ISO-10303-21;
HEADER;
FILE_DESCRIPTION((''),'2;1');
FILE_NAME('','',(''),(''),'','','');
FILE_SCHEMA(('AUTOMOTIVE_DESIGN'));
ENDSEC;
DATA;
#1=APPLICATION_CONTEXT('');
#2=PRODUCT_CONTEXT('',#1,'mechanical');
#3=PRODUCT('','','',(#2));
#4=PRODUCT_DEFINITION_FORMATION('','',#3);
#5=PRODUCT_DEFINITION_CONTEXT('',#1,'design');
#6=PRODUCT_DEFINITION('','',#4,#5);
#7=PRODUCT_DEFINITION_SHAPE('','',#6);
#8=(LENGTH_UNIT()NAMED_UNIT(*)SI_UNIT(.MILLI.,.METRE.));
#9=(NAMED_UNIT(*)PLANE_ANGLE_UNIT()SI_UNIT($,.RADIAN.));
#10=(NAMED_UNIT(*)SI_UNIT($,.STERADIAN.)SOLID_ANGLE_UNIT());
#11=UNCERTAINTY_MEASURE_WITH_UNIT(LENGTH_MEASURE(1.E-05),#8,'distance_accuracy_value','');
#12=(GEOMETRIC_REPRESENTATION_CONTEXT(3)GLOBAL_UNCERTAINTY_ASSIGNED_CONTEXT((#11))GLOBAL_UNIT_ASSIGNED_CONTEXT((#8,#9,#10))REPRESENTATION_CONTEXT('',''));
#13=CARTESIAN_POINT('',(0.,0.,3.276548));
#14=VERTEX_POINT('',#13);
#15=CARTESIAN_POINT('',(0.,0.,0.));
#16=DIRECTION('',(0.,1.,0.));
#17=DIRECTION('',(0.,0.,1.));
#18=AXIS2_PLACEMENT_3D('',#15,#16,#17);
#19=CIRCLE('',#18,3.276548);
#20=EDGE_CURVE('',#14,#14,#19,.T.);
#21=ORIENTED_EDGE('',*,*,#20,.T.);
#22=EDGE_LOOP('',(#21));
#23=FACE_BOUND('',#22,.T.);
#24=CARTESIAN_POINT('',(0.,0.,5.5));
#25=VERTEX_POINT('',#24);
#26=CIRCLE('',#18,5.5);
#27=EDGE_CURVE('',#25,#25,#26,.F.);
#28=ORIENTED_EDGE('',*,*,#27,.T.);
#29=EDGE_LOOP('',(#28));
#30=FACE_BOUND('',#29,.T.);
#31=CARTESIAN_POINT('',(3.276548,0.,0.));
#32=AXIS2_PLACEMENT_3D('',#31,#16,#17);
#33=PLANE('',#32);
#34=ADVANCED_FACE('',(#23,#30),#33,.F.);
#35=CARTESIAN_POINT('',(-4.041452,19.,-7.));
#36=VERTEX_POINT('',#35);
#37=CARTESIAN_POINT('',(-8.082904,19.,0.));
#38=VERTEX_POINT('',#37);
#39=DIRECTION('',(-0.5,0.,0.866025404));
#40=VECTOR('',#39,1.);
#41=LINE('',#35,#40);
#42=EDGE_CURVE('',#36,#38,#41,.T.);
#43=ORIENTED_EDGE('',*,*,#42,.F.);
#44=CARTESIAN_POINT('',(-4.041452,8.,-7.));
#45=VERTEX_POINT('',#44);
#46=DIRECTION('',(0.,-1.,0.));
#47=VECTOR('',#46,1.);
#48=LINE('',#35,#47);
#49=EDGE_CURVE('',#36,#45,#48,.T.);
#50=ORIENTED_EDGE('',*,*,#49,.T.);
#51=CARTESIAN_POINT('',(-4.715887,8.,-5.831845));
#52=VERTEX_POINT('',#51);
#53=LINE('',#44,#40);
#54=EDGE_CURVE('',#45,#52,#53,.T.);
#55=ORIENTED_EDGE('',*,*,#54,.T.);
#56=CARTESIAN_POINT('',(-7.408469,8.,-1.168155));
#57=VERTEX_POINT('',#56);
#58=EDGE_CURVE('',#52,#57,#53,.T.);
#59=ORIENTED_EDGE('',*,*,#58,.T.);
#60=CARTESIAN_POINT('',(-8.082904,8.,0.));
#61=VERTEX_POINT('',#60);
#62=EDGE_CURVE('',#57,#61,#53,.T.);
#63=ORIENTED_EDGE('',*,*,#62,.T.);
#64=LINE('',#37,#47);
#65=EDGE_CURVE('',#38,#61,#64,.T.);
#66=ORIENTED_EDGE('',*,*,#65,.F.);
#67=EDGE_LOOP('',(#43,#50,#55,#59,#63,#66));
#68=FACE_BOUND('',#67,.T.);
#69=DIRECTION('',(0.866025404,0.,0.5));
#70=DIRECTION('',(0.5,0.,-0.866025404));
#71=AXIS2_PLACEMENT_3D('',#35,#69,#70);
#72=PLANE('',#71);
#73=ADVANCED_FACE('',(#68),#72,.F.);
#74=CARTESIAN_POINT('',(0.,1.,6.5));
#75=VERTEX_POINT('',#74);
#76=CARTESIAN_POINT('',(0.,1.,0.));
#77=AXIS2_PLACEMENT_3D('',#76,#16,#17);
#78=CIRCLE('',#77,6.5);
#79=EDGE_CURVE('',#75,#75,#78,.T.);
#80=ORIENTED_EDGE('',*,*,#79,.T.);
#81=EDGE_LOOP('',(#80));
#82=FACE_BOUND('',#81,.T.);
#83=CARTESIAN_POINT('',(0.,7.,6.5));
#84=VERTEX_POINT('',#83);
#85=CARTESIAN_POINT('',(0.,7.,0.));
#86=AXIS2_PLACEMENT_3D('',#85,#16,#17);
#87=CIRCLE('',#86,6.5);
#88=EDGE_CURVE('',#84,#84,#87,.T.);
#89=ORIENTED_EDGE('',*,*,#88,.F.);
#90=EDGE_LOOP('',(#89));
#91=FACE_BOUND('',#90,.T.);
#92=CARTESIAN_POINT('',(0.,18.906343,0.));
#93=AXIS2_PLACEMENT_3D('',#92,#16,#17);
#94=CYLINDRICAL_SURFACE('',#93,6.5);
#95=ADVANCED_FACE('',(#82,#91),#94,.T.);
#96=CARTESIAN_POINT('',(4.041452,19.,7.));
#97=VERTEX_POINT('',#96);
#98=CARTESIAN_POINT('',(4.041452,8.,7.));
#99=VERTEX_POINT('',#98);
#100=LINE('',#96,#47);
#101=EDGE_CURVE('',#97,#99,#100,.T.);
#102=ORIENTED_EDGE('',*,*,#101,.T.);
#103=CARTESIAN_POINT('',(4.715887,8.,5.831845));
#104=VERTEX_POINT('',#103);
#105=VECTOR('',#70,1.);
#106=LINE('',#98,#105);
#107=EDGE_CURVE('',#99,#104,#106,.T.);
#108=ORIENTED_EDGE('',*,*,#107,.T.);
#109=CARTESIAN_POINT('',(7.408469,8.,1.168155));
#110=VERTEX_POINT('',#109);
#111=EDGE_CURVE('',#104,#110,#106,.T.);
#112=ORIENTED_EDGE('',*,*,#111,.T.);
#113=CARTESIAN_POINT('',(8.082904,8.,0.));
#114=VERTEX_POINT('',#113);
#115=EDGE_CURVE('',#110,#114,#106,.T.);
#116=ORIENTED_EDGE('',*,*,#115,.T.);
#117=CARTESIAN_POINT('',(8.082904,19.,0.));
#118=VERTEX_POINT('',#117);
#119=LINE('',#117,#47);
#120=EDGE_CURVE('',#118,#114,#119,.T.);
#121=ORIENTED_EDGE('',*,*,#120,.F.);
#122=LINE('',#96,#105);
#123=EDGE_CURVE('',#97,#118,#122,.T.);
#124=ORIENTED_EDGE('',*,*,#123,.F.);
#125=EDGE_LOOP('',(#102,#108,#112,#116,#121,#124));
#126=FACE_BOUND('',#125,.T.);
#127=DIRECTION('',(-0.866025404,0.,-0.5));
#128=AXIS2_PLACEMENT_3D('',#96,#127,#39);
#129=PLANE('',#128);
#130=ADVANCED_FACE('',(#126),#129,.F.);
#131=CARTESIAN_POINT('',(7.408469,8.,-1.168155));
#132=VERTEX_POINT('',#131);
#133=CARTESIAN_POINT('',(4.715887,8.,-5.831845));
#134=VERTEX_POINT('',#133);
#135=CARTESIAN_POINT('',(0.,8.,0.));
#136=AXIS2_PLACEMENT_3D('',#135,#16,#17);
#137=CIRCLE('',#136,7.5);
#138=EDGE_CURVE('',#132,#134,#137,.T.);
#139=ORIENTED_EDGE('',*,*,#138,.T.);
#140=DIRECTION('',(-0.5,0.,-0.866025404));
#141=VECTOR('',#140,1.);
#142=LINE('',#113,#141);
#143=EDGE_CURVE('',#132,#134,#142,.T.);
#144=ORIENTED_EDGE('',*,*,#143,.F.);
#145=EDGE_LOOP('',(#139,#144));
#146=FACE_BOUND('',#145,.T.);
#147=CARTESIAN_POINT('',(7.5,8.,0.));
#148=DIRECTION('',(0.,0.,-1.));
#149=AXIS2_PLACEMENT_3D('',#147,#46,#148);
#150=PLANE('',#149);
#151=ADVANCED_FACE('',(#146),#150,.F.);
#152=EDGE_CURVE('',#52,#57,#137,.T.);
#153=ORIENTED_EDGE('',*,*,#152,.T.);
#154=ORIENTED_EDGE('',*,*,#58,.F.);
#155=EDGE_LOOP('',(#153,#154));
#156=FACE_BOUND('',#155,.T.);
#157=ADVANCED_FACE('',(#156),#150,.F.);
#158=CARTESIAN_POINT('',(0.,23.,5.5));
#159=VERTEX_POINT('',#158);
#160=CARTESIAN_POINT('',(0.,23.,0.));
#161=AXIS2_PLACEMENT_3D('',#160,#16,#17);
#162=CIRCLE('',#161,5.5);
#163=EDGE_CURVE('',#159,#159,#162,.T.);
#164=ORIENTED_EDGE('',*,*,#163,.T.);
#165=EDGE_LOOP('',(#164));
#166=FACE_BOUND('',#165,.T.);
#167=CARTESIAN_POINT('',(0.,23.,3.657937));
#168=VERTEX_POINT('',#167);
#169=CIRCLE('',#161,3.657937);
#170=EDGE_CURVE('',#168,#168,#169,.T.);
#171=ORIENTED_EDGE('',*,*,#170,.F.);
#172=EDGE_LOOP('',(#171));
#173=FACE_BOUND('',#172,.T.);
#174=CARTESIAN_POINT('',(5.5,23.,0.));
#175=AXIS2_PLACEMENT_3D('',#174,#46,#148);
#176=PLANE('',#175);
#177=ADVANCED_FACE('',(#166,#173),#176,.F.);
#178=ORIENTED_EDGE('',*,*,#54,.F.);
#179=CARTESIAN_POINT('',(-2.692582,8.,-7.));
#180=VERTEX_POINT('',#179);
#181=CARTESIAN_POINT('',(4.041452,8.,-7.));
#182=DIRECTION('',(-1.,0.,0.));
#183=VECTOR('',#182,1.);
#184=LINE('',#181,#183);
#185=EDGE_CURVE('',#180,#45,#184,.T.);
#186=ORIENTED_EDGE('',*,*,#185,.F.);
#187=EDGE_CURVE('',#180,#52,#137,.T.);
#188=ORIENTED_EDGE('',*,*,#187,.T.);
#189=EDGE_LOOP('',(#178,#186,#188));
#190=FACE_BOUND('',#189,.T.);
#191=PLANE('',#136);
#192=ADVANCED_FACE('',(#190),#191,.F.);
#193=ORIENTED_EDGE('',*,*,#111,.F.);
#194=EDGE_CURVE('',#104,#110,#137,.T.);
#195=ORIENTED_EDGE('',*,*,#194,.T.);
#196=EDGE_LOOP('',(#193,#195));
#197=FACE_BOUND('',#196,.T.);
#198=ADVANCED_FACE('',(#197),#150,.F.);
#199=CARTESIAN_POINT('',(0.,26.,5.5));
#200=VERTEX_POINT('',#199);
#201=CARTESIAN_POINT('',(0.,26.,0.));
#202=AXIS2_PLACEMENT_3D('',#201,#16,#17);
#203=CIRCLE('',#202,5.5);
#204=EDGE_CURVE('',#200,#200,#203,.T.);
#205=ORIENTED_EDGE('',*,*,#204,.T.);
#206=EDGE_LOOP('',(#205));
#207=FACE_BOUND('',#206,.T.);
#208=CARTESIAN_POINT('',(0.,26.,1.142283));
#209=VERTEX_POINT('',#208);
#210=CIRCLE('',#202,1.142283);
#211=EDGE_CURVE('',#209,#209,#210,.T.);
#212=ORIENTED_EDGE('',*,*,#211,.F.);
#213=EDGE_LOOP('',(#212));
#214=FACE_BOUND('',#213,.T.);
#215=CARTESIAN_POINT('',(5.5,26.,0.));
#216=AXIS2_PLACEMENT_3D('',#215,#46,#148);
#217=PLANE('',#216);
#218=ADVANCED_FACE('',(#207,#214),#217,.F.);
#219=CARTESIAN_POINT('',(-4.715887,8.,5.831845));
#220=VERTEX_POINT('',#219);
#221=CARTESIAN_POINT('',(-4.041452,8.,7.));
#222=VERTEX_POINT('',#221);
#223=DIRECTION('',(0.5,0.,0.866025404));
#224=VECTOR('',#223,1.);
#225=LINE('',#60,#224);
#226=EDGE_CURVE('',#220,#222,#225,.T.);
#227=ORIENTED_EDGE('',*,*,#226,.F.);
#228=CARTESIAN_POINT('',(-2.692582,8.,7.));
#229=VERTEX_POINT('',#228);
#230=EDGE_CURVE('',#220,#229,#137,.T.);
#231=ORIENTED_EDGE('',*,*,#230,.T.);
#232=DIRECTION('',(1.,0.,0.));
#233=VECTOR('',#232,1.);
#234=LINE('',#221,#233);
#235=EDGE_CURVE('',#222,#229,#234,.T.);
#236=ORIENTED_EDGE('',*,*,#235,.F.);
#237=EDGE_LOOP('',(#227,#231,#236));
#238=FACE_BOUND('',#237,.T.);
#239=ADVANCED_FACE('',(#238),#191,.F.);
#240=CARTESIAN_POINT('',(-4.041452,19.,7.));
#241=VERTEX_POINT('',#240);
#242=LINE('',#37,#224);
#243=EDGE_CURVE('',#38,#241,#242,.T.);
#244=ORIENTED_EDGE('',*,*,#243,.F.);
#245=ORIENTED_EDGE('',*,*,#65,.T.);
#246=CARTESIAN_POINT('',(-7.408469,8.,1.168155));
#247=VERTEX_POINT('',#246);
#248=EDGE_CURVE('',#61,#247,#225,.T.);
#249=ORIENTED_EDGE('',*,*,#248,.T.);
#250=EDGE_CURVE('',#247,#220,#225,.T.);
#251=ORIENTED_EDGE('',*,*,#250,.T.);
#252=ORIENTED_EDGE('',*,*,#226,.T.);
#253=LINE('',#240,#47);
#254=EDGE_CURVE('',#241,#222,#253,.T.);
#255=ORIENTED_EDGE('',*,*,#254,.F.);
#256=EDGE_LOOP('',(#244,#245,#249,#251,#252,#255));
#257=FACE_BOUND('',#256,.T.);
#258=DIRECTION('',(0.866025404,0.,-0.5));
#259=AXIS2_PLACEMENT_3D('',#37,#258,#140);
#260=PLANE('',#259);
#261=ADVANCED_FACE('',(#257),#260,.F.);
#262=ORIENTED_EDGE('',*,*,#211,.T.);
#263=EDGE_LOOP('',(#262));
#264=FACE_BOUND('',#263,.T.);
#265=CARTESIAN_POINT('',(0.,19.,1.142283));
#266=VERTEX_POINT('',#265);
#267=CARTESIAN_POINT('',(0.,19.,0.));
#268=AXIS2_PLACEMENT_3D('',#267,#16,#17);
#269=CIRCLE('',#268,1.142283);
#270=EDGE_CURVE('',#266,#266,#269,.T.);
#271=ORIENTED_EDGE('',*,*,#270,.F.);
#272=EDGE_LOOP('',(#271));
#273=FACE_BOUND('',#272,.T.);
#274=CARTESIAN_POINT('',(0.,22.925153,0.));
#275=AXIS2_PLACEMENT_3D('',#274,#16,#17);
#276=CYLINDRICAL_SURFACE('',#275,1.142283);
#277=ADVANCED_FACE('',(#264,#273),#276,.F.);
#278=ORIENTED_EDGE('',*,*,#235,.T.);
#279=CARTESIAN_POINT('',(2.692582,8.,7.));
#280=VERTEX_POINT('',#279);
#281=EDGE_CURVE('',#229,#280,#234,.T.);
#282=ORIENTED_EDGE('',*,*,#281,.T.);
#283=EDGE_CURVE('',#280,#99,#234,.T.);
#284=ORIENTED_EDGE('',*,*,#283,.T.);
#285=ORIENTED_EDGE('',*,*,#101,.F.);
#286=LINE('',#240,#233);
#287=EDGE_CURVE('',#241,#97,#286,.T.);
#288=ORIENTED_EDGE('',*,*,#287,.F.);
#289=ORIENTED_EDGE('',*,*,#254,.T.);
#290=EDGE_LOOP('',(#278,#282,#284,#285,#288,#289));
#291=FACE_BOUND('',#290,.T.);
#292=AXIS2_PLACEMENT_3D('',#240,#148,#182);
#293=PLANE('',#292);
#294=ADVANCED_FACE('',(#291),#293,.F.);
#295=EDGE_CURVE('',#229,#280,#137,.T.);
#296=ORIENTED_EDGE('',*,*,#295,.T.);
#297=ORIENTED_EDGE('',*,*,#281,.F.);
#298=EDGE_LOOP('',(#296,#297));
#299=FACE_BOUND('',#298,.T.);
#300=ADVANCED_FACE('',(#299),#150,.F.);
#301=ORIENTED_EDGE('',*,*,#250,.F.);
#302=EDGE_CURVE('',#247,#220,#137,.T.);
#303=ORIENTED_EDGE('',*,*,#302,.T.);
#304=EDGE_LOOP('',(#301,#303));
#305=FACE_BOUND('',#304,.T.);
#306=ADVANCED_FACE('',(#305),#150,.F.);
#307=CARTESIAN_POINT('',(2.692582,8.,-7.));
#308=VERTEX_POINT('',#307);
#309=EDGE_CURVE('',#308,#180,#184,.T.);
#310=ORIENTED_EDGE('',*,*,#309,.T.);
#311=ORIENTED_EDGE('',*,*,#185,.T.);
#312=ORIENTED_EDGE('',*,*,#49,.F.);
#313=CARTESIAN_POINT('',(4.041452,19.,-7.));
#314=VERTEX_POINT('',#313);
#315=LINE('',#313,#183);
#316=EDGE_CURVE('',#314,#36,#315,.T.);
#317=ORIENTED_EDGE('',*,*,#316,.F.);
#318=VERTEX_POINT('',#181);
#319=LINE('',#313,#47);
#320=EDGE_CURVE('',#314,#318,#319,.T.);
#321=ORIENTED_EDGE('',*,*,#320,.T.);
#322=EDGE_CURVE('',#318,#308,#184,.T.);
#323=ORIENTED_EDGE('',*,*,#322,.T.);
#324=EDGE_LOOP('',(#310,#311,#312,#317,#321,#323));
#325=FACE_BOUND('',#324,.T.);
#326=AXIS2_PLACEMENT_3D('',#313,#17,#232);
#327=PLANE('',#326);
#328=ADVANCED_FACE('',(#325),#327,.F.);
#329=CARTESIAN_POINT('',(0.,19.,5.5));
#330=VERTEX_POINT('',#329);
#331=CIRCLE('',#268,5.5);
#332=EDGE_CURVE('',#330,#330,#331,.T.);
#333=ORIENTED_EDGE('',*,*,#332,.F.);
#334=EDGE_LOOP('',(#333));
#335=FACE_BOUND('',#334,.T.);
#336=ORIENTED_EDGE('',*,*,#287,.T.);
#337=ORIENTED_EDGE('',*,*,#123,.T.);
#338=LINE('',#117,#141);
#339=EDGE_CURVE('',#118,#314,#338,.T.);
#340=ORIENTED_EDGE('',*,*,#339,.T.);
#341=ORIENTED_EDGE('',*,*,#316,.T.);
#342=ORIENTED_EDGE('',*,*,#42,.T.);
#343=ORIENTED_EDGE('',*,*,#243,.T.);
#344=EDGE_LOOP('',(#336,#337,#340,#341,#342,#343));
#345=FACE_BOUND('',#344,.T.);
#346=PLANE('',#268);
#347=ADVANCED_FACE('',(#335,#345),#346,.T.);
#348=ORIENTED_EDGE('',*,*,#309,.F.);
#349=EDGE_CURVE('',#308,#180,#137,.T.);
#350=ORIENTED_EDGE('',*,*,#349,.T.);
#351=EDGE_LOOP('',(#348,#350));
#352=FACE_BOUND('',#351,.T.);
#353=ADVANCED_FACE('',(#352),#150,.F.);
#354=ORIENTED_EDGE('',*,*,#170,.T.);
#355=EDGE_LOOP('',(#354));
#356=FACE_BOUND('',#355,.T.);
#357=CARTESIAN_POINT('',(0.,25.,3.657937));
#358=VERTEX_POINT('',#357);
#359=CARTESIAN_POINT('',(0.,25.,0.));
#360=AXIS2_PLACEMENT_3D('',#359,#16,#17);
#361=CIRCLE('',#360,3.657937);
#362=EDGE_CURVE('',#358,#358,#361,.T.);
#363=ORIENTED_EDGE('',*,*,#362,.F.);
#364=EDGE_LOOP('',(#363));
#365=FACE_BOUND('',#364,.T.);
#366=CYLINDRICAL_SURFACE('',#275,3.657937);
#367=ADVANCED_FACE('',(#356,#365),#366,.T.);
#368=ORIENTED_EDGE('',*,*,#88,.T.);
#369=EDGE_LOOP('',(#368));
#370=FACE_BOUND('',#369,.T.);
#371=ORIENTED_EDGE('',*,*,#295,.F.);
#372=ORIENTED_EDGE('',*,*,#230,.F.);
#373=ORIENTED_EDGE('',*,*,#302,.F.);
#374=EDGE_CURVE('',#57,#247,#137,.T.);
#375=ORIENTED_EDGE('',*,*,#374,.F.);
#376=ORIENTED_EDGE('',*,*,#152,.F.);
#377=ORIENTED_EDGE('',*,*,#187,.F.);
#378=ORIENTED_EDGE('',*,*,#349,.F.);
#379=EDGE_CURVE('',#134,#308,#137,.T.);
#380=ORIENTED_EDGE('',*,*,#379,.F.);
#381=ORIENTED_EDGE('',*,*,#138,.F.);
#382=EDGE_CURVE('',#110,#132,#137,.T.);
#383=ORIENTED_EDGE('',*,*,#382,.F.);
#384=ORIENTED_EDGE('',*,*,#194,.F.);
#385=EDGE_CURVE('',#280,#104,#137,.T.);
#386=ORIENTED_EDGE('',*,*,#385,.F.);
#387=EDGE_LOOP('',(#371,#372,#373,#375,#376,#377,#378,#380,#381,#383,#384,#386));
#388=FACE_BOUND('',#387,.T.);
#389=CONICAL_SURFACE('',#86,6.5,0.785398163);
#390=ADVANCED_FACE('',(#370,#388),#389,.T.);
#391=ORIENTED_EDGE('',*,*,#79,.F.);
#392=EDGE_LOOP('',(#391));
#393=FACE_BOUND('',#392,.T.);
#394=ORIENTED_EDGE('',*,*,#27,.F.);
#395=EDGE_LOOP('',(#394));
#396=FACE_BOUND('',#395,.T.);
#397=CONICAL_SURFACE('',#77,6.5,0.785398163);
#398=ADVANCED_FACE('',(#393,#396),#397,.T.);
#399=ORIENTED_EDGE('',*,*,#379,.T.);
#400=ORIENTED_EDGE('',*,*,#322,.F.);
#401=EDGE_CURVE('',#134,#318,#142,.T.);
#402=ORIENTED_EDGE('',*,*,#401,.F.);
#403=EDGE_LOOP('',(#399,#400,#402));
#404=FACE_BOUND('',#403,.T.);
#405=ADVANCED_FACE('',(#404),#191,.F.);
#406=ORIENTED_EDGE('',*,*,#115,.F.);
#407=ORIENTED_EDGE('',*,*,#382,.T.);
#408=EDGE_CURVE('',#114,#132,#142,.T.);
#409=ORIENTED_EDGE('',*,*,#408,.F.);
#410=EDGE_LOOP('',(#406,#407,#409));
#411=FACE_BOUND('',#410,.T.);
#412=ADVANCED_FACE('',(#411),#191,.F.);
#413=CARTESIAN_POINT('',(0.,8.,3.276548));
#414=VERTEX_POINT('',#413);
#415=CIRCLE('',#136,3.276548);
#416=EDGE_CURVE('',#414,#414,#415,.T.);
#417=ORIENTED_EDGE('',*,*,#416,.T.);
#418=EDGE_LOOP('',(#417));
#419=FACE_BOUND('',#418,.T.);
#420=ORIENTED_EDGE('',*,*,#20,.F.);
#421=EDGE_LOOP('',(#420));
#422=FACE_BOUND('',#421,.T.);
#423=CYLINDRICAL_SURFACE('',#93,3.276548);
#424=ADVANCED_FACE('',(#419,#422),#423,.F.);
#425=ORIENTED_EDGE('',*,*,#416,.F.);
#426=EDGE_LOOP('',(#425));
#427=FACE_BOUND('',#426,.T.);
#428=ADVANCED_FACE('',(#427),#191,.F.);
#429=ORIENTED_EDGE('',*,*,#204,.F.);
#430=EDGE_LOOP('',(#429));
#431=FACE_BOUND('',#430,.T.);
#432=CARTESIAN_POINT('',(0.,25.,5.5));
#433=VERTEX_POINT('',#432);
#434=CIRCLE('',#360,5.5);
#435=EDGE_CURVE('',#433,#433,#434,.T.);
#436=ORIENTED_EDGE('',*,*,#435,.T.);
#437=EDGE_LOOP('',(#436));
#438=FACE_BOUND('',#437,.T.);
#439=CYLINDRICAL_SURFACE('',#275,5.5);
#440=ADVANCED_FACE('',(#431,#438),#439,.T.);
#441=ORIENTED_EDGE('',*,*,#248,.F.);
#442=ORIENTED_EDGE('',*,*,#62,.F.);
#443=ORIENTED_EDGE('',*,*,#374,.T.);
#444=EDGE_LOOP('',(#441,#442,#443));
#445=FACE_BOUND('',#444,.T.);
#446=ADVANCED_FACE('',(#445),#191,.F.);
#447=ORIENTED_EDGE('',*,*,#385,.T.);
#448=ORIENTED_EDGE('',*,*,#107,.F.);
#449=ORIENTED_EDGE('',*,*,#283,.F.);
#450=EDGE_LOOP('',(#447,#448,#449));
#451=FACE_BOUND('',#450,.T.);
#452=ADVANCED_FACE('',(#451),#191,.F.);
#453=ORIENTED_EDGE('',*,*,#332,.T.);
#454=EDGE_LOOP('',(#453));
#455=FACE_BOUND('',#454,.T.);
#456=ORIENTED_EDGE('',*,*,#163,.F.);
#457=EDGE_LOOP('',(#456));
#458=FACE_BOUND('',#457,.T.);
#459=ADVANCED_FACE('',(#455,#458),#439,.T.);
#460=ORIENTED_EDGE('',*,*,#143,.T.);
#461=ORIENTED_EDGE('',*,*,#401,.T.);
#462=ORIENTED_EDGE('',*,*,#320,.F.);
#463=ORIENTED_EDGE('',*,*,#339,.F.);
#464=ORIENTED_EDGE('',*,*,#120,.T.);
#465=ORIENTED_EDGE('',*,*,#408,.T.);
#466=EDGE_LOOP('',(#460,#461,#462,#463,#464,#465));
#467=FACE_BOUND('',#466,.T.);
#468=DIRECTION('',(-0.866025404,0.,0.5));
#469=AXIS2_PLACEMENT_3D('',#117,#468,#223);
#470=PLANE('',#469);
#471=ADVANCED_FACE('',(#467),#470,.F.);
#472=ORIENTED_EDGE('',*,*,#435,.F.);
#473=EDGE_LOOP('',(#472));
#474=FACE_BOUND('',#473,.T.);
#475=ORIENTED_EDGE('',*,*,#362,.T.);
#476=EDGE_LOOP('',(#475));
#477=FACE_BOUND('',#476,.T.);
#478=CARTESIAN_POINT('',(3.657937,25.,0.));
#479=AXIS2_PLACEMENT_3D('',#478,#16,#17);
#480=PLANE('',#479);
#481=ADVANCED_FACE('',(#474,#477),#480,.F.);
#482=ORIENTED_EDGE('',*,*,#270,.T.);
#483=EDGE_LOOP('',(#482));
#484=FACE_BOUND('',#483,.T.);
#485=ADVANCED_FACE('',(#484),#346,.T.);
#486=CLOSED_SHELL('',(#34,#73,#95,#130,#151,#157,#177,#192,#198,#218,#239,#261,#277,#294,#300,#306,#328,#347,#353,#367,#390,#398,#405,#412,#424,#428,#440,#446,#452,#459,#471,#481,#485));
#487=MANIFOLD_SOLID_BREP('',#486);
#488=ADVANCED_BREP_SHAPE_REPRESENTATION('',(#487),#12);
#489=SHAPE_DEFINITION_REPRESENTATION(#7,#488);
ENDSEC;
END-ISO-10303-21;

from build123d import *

# Parameters (mm, degrees)
BOSS_EXTRUDE1_DEPTH = 11
CHAMFER1_SIZE       = 1


with BuildPart() as part:
    # Sketch1 → Revolve1 (revolve)
    with BuildSketch(Plane.XY, mode=Mode.PRIVATE) as revolve1_sk:
        Polygon((3.276548208, 0), (6.5, 0), (6.5, 7), (7.5, 8), (3.276548208, 8), align=None)
    revolve(revolve1_sk.sketch.rotate(Axis((0, 18.90634256, 0), (0, -1, 0)), 90), axis=Axis((0, 18.90634256, 0), (0, -1, 0)))

    # Sketch2 → Boss-Extrude1 (add)
    with BuildSketch(Plane(origin=(0, 8, 0), x_dir=(1, 0, 0), z_dir=(0, 1, 0))):
        Polygon((8.082903769, 0), (4.041451884, 7), (-4.041451884, 7), (-8.082903769, 0), (-4.041451884, -7), (4.041451884, -7), align=None)
    extrude(amount=BOSS_EXTRUDE1_DEPTH)

    # Sketch3 → Revolve3 (revolve)
    with BuildSketch(Plane.XY, mode=Mode.PRIVATE) as revolve3_sk:
        Polygon((5.5, 19), (5.5, 23), (3.657937283, 23), (3.657937283, 25), (5.5, 25), (5.5, 26), (1.142283078, 26), (1.142283078, 19), align=None)
    revolve(revolve3_sk.sketch.rotate(Axis((0, 22.925153464, 0), (0, -1, 0)), 90), axis=Axis((0, 22.925153464, 0), (0, -1, 0)))

    # Chamfer1
    chamfer1_edges = [part.edges().sort_by_distance(p)[0] for p in [
        (0, 0, -6.5),
    ]]
    chamfer(chamfer1_edges, length=CHAMFER1_SIZE)


solid = part.part
